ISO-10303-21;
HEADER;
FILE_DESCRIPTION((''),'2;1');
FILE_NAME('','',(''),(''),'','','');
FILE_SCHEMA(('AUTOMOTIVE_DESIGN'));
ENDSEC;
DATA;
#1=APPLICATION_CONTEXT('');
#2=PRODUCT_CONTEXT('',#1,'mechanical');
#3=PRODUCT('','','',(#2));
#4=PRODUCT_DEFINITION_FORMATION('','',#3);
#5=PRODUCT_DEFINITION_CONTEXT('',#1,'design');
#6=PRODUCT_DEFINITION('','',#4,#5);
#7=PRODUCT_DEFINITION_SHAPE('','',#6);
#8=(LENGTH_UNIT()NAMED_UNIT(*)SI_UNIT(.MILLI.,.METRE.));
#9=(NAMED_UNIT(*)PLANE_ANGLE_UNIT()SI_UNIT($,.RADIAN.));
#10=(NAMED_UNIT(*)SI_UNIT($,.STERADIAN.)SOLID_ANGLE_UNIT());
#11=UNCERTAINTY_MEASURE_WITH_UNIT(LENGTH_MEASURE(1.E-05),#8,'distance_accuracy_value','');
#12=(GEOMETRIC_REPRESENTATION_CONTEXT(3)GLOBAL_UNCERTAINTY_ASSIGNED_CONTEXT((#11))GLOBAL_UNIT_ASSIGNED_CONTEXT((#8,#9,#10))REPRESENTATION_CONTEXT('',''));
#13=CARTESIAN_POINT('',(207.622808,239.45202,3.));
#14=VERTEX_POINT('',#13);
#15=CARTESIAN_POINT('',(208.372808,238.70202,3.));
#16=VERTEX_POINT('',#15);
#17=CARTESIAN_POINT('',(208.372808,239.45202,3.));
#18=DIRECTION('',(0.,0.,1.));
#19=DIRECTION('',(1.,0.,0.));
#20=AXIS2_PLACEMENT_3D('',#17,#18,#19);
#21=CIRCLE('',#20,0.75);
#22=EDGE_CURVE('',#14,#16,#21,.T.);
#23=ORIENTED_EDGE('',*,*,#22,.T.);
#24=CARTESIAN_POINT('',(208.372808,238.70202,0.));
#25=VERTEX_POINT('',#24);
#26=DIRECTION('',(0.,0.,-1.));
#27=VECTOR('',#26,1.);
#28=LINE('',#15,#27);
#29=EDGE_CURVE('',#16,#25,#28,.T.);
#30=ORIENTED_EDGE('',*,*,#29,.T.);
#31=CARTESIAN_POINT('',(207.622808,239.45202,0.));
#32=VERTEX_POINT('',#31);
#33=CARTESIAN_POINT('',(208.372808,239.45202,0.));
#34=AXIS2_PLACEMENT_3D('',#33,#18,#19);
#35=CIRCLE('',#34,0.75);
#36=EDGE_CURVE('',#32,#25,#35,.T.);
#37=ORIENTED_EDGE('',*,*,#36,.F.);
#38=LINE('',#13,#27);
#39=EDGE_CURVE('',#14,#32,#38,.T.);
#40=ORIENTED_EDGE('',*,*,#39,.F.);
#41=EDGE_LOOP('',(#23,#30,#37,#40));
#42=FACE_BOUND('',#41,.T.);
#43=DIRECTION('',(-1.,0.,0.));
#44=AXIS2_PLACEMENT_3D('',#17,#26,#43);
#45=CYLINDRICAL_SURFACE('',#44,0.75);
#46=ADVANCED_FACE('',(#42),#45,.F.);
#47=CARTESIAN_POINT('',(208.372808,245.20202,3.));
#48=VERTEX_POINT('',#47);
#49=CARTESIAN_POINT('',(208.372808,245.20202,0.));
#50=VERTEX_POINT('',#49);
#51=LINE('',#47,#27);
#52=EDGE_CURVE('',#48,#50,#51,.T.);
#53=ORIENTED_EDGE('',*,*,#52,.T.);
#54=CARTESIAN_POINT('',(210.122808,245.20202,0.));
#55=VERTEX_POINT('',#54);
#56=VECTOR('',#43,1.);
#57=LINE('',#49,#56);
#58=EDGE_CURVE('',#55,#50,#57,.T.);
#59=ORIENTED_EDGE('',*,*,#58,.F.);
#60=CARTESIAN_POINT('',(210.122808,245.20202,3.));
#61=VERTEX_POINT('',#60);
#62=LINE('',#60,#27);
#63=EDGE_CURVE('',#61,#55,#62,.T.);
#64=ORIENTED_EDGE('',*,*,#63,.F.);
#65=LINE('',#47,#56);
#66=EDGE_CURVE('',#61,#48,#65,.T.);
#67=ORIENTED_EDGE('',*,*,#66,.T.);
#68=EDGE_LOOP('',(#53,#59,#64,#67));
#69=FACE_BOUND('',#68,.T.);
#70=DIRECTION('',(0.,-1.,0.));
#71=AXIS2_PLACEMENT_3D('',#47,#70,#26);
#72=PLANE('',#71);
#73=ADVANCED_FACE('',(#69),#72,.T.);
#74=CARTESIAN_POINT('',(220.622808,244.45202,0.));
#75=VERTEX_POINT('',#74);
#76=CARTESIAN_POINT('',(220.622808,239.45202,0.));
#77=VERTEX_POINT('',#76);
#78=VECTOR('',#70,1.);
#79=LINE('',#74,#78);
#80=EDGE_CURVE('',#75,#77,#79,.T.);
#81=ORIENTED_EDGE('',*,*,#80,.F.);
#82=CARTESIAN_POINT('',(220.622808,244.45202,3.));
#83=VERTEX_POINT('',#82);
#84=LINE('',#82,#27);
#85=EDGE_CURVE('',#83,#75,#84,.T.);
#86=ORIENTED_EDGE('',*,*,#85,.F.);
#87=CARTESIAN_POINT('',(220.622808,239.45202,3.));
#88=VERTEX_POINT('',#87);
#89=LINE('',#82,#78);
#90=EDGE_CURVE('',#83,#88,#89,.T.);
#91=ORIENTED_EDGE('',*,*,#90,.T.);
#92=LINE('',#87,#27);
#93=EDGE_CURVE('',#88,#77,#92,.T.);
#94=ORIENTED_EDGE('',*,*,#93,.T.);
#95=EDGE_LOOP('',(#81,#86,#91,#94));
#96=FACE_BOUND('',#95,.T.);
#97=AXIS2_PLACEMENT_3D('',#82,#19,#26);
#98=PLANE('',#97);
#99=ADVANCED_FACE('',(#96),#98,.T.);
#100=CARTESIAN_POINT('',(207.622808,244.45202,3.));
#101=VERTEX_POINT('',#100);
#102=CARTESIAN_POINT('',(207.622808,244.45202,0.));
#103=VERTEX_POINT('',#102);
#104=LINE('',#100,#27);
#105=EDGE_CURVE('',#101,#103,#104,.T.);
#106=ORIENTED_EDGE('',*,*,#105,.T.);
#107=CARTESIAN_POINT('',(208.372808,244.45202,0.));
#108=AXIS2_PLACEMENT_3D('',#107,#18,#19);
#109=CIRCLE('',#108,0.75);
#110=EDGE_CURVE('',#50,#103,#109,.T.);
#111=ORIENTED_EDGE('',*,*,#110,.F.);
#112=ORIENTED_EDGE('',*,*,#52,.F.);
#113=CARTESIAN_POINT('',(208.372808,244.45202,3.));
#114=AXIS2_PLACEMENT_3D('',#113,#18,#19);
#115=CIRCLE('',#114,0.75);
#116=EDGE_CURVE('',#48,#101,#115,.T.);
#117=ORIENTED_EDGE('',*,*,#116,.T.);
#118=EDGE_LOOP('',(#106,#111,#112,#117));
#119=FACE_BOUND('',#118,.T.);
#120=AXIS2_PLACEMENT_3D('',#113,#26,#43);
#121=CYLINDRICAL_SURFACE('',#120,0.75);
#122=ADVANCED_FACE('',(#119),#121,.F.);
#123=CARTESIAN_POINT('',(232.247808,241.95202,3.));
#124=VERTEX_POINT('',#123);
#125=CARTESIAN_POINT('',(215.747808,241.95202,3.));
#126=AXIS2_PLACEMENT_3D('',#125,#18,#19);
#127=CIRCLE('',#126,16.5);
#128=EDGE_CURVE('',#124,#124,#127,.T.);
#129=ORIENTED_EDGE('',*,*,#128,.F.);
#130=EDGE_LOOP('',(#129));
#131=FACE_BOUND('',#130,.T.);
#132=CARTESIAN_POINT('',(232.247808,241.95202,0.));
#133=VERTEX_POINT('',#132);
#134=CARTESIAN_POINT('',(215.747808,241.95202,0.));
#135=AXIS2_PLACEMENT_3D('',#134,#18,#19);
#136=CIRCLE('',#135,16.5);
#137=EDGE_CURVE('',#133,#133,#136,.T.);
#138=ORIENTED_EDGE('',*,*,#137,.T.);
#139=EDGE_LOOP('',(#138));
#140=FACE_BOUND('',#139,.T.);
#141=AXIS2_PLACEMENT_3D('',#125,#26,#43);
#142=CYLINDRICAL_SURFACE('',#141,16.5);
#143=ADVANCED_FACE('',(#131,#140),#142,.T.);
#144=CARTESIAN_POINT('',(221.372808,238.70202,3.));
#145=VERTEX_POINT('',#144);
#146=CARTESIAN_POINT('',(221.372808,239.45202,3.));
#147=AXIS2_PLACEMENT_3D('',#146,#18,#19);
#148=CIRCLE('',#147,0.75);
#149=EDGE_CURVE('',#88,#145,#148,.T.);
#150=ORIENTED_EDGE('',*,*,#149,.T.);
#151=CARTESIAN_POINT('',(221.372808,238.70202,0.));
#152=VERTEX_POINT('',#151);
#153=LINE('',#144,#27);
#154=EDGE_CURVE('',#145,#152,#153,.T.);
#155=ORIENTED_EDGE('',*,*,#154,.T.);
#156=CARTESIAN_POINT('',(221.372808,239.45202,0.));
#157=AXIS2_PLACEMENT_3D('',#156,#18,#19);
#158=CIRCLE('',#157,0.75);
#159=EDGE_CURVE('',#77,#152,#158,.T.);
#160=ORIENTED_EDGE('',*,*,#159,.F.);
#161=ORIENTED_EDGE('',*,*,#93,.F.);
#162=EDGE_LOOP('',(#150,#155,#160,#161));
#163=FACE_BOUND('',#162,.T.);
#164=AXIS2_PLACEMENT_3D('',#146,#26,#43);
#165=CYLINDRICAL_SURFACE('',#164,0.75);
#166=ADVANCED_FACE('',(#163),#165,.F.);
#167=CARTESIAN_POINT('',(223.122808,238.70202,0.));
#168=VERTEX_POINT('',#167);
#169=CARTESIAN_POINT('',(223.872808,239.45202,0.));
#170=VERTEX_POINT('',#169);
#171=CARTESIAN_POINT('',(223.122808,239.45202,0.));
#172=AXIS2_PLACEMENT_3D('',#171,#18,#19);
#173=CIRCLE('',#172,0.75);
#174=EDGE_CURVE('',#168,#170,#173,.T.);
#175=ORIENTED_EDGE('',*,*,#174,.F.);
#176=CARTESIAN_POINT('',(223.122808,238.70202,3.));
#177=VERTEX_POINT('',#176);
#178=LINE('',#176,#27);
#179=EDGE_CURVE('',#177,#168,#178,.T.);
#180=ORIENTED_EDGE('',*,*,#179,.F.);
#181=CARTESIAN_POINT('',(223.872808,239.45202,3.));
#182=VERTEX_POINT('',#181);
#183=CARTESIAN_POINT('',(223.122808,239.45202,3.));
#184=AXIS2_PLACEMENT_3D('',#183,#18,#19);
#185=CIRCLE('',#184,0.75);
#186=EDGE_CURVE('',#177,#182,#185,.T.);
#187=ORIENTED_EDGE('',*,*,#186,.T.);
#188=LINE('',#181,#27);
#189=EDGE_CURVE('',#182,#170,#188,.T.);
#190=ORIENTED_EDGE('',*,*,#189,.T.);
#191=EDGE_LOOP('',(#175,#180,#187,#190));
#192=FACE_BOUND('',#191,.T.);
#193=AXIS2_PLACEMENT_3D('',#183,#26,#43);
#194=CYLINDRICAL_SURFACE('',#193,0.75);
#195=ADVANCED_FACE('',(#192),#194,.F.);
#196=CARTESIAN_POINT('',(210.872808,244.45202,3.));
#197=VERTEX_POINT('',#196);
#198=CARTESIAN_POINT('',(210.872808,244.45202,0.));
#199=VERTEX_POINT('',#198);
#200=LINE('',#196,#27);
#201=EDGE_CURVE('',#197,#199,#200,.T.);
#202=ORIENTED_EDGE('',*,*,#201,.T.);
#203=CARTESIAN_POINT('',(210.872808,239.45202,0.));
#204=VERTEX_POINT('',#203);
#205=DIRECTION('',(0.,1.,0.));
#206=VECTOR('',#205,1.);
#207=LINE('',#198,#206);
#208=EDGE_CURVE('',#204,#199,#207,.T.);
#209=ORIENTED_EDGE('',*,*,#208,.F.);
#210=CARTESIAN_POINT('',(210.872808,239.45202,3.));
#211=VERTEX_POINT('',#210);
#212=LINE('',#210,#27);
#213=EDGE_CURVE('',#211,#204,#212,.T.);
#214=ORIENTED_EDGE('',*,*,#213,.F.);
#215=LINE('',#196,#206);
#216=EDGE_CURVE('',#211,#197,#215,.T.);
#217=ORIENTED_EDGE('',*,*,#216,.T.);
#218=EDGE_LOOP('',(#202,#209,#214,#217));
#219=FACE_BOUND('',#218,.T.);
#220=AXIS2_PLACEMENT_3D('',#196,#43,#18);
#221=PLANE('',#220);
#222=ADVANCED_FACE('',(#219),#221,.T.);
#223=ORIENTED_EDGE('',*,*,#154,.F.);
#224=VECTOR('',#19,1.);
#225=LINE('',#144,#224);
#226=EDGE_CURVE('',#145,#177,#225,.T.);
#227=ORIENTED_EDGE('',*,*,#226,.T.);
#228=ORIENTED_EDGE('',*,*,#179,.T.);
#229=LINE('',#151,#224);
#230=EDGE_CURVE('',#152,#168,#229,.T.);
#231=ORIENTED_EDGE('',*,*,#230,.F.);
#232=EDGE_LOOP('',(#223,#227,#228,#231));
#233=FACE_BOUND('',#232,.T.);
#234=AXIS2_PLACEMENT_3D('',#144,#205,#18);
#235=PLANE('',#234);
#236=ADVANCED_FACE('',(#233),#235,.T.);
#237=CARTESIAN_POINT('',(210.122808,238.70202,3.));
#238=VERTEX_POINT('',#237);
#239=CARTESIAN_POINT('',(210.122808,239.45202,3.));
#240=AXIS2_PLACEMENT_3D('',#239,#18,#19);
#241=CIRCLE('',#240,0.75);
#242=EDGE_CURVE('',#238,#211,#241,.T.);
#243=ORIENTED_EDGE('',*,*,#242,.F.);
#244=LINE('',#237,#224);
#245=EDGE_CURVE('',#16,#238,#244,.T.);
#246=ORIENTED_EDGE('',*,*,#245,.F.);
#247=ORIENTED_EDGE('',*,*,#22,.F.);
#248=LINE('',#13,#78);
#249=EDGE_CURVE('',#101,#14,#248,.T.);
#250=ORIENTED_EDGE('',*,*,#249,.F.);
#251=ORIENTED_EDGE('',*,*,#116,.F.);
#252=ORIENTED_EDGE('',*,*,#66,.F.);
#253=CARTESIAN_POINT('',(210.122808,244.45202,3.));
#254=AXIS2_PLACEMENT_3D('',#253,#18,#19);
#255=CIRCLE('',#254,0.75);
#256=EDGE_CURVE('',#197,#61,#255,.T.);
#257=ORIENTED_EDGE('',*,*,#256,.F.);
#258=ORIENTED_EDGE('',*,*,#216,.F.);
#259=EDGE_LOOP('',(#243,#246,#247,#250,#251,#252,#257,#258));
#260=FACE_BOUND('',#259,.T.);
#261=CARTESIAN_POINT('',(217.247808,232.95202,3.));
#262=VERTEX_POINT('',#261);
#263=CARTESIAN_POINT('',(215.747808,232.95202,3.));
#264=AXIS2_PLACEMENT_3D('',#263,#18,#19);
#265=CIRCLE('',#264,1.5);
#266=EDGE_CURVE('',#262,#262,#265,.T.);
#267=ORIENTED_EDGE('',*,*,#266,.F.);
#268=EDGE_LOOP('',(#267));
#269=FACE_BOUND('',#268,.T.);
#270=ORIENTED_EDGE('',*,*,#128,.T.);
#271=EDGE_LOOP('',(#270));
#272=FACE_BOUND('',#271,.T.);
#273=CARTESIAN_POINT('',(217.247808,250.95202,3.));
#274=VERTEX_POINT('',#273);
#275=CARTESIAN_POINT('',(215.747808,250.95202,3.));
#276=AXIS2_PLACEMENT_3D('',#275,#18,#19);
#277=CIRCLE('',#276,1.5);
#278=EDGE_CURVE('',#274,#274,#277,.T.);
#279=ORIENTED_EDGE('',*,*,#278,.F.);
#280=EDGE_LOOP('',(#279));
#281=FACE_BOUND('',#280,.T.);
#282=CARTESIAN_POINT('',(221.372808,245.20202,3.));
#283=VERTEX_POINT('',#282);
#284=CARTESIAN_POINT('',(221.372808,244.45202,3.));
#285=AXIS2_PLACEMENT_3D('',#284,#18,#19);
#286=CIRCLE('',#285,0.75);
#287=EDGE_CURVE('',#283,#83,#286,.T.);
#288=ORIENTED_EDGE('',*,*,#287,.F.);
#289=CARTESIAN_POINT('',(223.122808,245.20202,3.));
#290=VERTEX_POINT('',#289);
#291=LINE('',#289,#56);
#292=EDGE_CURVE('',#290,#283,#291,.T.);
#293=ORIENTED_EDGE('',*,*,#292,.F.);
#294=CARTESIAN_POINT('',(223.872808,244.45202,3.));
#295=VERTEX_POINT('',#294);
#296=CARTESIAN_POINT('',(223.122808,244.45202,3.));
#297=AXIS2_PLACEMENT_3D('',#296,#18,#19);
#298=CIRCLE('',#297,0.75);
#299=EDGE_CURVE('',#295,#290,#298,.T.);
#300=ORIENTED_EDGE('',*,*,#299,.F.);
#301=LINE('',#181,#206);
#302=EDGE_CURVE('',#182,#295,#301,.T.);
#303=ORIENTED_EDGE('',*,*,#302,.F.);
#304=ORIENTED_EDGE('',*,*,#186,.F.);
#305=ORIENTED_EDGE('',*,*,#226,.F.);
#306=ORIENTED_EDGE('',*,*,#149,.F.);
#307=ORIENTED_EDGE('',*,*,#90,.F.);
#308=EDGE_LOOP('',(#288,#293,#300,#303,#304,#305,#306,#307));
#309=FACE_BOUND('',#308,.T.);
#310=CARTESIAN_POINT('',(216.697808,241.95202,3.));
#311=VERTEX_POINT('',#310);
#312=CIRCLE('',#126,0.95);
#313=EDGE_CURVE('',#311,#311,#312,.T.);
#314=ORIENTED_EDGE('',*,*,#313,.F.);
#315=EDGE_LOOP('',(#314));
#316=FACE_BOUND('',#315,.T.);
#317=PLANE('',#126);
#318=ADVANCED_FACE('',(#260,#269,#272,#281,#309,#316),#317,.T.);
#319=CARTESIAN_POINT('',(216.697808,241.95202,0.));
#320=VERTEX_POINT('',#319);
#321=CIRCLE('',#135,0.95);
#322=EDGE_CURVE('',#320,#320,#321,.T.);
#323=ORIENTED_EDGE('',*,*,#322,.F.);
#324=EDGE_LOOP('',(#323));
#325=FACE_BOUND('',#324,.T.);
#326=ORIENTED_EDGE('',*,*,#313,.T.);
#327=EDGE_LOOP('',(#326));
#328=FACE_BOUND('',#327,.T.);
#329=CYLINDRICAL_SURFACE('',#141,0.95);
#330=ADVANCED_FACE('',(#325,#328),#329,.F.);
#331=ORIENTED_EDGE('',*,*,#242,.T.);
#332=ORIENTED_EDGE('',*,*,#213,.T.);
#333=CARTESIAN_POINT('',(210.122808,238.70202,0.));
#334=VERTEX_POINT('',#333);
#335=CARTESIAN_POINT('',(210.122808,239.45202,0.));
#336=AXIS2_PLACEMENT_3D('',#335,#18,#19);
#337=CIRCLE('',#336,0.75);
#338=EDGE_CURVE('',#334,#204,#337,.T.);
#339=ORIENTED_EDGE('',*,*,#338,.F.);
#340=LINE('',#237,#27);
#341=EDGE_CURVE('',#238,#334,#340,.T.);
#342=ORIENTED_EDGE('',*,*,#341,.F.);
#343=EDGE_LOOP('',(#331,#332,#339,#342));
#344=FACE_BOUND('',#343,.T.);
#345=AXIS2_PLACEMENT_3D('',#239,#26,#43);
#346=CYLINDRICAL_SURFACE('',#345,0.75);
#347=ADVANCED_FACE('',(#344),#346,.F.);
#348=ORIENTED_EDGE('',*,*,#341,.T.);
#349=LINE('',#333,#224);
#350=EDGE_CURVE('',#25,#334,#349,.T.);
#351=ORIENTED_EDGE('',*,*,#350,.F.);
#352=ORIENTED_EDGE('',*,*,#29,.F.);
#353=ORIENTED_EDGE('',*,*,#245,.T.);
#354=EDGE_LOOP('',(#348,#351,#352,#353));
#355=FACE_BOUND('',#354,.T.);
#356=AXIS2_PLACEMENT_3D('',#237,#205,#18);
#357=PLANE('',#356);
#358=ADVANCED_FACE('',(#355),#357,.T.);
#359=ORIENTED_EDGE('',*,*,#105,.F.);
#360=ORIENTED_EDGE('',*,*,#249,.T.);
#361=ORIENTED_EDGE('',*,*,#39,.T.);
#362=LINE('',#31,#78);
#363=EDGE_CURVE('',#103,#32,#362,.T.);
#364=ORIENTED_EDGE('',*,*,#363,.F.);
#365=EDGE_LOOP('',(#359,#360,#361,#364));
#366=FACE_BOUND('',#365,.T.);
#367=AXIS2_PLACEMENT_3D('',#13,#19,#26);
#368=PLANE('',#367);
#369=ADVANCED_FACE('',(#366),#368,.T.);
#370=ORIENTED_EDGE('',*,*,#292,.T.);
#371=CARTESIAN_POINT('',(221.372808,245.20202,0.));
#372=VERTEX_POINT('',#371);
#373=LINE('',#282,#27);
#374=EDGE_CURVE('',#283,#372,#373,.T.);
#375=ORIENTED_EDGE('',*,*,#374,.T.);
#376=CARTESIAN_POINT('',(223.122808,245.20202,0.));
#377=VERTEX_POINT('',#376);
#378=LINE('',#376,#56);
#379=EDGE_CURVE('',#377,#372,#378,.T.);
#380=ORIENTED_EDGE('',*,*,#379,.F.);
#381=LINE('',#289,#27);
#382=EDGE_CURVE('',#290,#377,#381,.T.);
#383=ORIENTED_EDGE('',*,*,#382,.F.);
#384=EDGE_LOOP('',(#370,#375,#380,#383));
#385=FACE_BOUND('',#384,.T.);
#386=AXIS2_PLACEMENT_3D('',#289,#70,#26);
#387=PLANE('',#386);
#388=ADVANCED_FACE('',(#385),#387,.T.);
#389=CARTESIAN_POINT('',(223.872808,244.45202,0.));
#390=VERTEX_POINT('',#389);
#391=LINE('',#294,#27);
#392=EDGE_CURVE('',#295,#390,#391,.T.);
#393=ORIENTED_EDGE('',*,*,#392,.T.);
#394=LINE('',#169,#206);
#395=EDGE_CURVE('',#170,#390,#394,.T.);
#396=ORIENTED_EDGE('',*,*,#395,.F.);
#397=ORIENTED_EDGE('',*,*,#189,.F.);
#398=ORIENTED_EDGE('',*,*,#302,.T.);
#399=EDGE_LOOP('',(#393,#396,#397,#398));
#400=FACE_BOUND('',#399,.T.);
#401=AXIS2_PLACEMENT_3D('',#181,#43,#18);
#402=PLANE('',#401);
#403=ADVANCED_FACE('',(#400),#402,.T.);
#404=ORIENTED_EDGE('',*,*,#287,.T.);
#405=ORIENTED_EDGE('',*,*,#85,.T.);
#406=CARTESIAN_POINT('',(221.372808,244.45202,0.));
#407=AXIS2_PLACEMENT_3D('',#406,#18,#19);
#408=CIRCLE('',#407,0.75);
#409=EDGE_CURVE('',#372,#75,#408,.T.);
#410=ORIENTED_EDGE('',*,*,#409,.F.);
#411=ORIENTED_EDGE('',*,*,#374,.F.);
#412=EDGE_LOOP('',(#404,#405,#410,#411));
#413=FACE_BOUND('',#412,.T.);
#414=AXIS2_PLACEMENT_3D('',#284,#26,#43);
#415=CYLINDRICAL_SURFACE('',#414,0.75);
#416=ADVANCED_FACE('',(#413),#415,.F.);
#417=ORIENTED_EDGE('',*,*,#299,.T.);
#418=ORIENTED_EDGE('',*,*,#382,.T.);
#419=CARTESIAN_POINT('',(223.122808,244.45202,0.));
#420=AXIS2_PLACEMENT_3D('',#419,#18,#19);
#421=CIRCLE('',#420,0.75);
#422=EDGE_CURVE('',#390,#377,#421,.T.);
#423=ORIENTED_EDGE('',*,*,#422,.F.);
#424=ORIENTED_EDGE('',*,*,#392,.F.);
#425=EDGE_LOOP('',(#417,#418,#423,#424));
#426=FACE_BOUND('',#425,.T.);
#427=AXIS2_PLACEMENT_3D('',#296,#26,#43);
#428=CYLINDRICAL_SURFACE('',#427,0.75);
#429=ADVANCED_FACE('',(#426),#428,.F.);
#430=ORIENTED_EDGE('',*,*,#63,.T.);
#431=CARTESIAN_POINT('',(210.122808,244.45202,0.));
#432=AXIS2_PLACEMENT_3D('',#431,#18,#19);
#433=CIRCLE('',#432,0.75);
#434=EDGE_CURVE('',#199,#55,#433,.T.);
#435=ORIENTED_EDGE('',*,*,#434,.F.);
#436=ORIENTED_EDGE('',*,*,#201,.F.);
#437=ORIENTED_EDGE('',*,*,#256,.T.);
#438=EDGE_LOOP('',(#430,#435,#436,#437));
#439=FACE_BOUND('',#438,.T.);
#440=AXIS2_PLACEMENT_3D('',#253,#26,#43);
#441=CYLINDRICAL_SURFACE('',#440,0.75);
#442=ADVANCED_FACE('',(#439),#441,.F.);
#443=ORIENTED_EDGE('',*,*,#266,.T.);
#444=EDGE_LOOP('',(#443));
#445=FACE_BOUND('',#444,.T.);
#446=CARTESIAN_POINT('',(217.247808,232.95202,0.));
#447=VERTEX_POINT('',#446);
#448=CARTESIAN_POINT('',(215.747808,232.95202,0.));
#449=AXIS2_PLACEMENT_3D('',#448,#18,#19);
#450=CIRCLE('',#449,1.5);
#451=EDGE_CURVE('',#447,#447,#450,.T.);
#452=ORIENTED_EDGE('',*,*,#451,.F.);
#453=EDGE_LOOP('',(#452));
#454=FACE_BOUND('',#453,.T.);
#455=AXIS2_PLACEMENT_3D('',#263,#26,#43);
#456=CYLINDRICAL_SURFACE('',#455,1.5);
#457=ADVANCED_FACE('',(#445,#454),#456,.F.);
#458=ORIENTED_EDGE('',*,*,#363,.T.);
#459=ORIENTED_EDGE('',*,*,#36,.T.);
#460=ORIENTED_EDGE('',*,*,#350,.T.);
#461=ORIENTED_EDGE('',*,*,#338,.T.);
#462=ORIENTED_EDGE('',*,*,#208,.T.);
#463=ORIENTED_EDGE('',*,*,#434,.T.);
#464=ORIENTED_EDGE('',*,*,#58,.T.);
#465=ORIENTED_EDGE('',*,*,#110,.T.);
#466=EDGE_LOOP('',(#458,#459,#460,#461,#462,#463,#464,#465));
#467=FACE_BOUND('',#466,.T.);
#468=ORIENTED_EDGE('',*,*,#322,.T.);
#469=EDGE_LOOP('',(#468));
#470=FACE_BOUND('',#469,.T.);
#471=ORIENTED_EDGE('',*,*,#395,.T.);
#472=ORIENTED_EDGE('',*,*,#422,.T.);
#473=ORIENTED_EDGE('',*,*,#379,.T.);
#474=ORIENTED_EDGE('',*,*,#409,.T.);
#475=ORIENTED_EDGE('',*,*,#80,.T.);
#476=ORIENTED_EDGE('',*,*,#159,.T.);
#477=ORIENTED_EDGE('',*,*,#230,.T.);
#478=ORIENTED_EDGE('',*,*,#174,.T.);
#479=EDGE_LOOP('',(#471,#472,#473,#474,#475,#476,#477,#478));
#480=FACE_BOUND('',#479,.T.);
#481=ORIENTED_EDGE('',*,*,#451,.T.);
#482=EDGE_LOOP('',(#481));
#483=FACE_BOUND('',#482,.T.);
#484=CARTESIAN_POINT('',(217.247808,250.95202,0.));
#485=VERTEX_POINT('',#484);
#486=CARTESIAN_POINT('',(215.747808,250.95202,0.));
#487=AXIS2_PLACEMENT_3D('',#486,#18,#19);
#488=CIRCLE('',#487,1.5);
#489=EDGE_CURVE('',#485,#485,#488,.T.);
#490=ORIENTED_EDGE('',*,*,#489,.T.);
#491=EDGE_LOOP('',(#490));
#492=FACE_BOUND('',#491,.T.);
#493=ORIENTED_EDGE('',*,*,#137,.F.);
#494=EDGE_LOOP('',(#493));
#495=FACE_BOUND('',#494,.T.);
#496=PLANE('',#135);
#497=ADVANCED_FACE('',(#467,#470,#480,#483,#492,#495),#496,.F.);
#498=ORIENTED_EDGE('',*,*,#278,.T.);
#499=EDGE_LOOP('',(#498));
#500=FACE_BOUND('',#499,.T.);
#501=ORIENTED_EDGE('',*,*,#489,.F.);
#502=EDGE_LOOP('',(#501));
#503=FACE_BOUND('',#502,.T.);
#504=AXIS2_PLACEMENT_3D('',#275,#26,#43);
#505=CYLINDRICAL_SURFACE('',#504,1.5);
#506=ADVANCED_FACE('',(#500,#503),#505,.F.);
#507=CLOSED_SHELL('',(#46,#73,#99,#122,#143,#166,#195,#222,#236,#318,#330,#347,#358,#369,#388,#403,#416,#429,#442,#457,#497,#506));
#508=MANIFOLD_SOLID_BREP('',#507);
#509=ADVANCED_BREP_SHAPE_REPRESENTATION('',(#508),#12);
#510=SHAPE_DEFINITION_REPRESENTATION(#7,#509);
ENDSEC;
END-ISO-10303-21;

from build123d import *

# Parameters (mm, degrees)
MODEL_R                 = 16.5
MODEL_R_2               = 0.95
MODEL_R_3               = 1.5
SALIENTE_EXTRUIR1_DEPTH = 3


with BuildPart() as part:
    # Model → Saliente-Extruir1 (new body)
    with BuildSketch(Plane.XY):
        with Locations((215.747807914, 241.952019993)):
            Circle(MODEL_R)
        with Locations((215.747807914, 241.952019993)):
            Circle(MODEL_R_2, mode=Mode.SUBTRACT)
        with Locations((215.747807914, 232.952019993)):
            Circle(MODEL_R_3, mode=Mode.SUBTRACT)
        with Locations((215.747807914, 250.952019993)):
            Circle(MODEL_R_3, mode=Mode.SUBTRACT)
        with BuildLine():
            Line((223.122807913, 245.202019993), (221.372807913, 245.202019993))
            ThreePointArc((221.372807913, 245.202019993), (220.842477828, 244.982350079), (220.622807913, 244.452019993))
            Line((220.622807913, 244.452019993), (220.622807913, 239.452019993))
            ThreePointArc((220.622807913, 239.452019993), (220.842477828, 238.921689907), (221.372807913, 238.702019993))
            Line((221.372807913, 238.702019993), (223.122807913, 238.702019993))
            ThreePointArc((223.122807913, 238.702019993), (223.653137999, 238.921689907), (223.872807913, 239.452019993))
            Line((223.872807913, 239.452019993), (223.872807913, 244.452019993))
            ThreePointArc((223.872807913, 244.452019993), (223.653137999, 244.982350079), (223.122807913, 245.202019993))
        make_face(mode=Mode.SUBTRACT)
        with BuildLine():
            Line((208.372807913, 245.202019993), (210.122807913, 245.202019993))
            ThreePointArc((210.122807913, 245.202019993), (210.653137999, 244.982350079), (210.872807913, 244.452019993))
            Line((210.872807913, 244.452019993), (210.872807913, 239.452019993))
            ThreePointArc((210.872807913, 239.452019993), (210.653137999, 238.921689907), (210.122807913, 238.702019993))
            Line((210.122807913, 238.702019993), (208.372807913, 238.702019993))
            ThreePointArc((208.372807913, 238.702019993), (207.842477828, 238.921689907), (207.622807913, 239.452019993))
            Line((207.622807913, 239.452019993), (207.622807913, 244.452019993))
            ThreePointArc((207.622807913, 244.452019993), (207.842477828, 244.982350079), (208.372807913, 245.202019993))
        make_face(mode=Mode.SUBTRACT)
    extrude(amount=SALIENTE_EXTRUIR1_DEPTH)


solid = part.part
